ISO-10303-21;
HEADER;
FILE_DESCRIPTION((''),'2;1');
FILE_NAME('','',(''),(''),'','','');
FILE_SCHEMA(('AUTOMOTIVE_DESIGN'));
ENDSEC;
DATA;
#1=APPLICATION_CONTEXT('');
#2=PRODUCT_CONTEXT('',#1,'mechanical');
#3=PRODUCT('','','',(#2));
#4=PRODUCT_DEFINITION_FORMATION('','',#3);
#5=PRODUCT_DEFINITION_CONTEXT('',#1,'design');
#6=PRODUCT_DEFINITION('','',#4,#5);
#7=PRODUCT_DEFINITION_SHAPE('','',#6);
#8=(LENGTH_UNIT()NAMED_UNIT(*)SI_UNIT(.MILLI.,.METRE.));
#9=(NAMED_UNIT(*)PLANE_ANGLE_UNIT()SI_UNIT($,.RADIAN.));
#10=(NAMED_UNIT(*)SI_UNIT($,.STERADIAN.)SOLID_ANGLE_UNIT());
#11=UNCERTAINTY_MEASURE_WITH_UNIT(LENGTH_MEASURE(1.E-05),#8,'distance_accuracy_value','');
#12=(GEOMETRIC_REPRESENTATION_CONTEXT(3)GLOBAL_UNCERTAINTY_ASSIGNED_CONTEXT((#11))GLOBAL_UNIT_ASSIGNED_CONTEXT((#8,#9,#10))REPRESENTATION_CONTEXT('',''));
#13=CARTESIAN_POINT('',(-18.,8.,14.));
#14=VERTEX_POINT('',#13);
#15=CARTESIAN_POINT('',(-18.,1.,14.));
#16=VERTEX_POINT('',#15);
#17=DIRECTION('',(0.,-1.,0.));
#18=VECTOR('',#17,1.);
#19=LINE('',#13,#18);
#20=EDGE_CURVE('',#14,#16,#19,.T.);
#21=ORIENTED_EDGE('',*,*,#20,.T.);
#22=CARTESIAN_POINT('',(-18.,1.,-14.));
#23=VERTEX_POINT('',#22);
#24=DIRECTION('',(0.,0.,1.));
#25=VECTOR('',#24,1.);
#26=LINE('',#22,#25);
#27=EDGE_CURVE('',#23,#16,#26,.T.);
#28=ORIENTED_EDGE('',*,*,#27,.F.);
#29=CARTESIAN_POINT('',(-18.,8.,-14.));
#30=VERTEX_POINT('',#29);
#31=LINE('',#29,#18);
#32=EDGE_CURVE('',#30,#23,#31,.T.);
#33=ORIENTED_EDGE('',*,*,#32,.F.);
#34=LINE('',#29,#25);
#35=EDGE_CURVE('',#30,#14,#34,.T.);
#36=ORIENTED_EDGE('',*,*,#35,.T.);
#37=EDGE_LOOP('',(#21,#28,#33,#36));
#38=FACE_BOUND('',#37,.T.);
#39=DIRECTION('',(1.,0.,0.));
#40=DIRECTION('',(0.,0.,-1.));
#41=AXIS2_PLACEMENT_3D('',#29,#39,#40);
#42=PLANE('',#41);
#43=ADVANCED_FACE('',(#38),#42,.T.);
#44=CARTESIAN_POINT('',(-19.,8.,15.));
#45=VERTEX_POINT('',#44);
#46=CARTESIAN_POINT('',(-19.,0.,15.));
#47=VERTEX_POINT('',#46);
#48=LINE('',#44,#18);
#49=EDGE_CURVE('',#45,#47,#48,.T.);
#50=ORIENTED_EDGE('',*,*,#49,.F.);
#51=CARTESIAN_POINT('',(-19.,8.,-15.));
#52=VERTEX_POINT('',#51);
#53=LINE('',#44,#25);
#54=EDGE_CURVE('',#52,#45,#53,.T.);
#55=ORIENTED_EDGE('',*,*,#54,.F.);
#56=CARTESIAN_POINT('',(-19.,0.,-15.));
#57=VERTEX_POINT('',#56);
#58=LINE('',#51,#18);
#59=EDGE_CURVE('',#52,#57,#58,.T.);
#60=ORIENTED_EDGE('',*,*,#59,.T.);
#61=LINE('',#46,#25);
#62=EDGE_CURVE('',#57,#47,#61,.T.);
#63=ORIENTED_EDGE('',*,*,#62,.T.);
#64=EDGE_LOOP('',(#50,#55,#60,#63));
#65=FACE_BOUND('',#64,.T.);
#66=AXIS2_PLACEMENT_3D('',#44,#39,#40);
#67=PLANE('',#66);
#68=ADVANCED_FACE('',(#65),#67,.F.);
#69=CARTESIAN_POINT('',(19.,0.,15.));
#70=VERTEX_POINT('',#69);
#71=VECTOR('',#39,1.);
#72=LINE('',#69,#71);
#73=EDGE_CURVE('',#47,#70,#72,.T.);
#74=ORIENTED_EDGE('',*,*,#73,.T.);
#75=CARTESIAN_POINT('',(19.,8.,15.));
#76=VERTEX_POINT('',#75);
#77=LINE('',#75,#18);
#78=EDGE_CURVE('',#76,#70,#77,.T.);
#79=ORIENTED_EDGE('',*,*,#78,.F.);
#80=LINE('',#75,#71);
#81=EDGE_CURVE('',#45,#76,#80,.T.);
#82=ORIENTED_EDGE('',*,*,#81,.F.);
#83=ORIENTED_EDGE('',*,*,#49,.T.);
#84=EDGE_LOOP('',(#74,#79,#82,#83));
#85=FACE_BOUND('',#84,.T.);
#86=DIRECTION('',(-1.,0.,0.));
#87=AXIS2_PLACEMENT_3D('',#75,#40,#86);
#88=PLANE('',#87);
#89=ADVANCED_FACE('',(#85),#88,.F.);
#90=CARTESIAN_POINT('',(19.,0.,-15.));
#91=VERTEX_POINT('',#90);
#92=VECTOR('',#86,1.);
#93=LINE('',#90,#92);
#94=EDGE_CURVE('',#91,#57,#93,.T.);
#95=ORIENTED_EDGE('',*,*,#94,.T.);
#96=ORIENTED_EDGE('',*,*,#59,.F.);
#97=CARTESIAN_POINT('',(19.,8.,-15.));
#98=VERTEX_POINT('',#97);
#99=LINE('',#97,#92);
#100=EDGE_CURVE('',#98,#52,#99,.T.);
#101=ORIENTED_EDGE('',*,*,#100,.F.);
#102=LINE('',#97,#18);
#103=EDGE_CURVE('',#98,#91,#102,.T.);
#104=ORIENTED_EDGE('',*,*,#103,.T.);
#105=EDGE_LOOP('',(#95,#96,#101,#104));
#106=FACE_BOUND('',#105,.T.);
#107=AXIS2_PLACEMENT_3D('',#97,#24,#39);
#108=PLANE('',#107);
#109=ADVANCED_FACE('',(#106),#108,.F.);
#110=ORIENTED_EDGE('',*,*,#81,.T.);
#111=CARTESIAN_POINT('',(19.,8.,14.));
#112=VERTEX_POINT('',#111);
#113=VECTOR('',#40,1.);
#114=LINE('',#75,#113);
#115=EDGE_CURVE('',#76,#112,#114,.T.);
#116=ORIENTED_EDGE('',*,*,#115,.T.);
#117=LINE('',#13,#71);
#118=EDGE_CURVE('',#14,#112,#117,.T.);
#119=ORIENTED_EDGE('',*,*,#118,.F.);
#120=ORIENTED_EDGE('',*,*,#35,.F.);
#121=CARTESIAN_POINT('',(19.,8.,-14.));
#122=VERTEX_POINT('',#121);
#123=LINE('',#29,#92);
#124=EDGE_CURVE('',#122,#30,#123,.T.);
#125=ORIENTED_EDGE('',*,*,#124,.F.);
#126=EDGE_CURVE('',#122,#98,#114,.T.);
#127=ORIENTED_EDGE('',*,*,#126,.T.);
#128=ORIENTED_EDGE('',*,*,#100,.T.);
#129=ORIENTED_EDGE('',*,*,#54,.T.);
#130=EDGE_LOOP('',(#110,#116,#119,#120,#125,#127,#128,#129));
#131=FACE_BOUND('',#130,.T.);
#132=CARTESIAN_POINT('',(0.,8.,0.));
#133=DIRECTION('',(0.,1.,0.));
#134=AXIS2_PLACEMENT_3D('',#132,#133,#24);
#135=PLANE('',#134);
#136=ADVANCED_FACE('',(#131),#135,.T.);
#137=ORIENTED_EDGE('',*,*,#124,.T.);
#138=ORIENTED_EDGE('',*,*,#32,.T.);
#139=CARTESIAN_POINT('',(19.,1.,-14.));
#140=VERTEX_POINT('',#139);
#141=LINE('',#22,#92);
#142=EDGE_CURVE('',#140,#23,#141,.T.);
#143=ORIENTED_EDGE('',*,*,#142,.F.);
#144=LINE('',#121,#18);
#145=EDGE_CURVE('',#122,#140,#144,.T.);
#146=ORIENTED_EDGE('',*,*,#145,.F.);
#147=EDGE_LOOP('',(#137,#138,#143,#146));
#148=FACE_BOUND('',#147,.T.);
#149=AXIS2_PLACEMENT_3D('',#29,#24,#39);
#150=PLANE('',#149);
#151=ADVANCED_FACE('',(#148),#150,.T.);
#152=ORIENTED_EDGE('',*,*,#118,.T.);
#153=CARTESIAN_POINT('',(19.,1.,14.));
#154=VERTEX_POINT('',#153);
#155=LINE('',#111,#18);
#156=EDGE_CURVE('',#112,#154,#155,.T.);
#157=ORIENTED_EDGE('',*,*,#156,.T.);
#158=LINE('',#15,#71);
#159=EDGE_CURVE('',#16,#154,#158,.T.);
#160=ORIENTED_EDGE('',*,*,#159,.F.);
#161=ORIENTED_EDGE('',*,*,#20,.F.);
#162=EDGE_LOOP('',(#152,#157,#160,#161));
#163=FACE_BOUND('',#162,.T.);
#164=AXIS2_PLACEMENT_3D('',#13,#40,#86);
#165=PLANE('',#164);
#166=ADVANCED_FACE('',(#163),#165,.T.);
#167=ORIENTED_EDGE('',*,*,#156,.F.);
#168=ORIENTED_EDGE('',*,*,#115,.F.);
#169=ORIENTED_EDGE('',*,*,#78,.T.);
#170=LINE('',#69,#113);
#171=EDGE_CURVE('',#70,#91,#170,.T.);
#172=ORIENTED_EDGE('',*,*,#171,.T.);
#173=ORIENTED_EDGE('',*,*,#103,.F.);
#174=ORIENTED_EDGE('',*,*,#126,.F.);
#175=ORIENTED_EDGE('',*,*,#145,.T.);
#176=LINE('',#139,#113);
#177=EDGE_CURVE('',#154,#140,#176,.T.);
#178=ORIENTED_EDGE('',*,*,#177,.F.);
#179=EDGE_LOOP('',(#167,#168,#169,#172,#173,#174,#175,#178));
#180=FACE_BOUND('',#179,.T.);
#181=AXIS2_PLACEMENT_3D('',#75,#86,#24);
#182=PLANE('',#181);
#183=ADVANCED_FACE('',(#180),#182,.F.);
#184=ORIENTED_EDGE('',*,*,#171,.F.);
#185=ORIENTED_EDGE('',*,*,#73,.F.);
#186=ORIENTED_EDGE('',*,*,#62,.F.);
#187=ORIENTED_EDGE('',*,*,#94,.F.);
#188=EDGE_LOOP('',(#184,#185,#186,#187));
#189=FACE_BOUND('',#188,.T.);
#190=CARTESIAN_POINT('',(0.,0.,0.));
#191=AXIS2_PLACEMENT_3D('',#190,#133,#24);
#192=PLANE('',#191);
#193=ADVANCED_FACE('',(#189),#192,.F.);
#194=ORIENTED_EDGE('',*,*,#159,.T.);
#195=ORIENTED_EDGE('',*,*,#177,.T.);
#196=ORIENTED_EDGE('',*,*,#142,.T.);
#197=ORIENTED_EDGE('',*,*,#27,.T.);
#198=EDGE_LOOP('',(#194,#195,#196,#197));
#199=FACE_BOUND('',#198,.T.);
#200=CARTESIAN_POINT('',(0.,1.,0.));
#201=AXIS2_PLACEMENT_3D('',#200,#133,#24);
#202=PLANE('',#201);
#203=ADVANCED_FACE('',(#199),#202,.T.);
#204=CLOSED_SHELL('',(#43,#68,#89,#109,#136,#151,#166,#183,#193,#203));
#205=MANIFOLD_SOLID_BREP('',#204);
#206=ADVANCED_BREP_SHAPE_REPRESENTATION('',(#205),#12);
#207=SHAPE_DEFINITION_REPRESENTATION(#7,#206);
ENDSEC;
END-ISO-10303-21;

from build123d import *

# Parameters (mm, degrees)
SKETCH_1_W          = 38
SKETCH_1_H          = 30
EXTRUDE_1_DEPTH     = 8
CUT_EXTRUDE_START   = 1
SKETCH_2_W          = 37
SKETCH_2_H          = 28
CUT_EXTRUDE_1_DEPTH = 7
EXTRUDE_START       = 8
SKETCH_4_W          = 38
SKETCH_4_H          = 30
EXTRUDE_3_DEPTH     = 1
CUT_EXTRUDE_START_2 = 9
SKETCH_5_R          = 11
CUT_EXTRUDE_2_DEPTH = 1
SKETCH_6_W          = 38
SKETCH_6_H          = 30
CUT_EXTRUDE_3_DEPTH = 1


with BuildPart() as part:
    # 스케치1 → 보스-돌출1 (new body)
    with BuildSketch(Plane(origin=(0, 0, 0), x_dir=(1, 0, 0), z_dir=(0, 1, 0))):
        Rectangle(SKETCH_1_W, SKETCH_1_H)
    extrude(amount=EXTRUDE_1_DEPTH)

    # 스케치2 → 컷-돌출1 (cut)
    with BuildSketch(Plane(origin=(0, 0, 0), x_dir=(1, 0, 0), z_dir=(0, 1, 0)).offset(CUT_EXTRUDE_START)):
        with Locations((0.5, 0)):
            Rectangle(SKETCH_2_W, SKETCH_2_H)
    extrude(amount=CUT_EXTRUDE_1_DEPTH, mode=Mode.SUBTRACT)


with BuildPart() as body_2:
    # 스케치4 → 보스-돌출3 (new body)
    with BuildSketch(Plane(origin=(0, 0, 0), x_dir=(1, 0, 0), z_dir=(0, 1, 0)).offset(EXTRUDE_START)):
        Rectangle(SKETCH_4_W, SKETCH_4_H)
    extrude(amount=EXTRUDE_3_DEPTH)

    # 스케치5 → 컷-돌출2 (cut)
    with BuildSketch(Plane(origin=(0, 0, 0), x_dir=(1, 0, 0), z_dir=(0, 1, 0)).offset(CUT_EXTRUDE_START_2)):
        with Locations(Location((-1, 0, 0), (0, 0, 270))):
            Circle(SKETCH_5_R)
    extrude(amount=-CUT_EXTRUDE_2_DEPTH, mode=Mode.SUBTRACT)

    # 스케치6 → 컷-돌출3 (cut)
    with BuildSketch(Plane(origin=(0, 9, 0), x_dir=(1, 0, 0), z_dir=(0, 1, 0))):
        Rectangle(SKETCH_6_W, SKETCH_6_H)
    extrude(amount=-CUT_EXTRUDE_3_DEPTH, mode=Mode.SUBTRACT)


solid = part.part
